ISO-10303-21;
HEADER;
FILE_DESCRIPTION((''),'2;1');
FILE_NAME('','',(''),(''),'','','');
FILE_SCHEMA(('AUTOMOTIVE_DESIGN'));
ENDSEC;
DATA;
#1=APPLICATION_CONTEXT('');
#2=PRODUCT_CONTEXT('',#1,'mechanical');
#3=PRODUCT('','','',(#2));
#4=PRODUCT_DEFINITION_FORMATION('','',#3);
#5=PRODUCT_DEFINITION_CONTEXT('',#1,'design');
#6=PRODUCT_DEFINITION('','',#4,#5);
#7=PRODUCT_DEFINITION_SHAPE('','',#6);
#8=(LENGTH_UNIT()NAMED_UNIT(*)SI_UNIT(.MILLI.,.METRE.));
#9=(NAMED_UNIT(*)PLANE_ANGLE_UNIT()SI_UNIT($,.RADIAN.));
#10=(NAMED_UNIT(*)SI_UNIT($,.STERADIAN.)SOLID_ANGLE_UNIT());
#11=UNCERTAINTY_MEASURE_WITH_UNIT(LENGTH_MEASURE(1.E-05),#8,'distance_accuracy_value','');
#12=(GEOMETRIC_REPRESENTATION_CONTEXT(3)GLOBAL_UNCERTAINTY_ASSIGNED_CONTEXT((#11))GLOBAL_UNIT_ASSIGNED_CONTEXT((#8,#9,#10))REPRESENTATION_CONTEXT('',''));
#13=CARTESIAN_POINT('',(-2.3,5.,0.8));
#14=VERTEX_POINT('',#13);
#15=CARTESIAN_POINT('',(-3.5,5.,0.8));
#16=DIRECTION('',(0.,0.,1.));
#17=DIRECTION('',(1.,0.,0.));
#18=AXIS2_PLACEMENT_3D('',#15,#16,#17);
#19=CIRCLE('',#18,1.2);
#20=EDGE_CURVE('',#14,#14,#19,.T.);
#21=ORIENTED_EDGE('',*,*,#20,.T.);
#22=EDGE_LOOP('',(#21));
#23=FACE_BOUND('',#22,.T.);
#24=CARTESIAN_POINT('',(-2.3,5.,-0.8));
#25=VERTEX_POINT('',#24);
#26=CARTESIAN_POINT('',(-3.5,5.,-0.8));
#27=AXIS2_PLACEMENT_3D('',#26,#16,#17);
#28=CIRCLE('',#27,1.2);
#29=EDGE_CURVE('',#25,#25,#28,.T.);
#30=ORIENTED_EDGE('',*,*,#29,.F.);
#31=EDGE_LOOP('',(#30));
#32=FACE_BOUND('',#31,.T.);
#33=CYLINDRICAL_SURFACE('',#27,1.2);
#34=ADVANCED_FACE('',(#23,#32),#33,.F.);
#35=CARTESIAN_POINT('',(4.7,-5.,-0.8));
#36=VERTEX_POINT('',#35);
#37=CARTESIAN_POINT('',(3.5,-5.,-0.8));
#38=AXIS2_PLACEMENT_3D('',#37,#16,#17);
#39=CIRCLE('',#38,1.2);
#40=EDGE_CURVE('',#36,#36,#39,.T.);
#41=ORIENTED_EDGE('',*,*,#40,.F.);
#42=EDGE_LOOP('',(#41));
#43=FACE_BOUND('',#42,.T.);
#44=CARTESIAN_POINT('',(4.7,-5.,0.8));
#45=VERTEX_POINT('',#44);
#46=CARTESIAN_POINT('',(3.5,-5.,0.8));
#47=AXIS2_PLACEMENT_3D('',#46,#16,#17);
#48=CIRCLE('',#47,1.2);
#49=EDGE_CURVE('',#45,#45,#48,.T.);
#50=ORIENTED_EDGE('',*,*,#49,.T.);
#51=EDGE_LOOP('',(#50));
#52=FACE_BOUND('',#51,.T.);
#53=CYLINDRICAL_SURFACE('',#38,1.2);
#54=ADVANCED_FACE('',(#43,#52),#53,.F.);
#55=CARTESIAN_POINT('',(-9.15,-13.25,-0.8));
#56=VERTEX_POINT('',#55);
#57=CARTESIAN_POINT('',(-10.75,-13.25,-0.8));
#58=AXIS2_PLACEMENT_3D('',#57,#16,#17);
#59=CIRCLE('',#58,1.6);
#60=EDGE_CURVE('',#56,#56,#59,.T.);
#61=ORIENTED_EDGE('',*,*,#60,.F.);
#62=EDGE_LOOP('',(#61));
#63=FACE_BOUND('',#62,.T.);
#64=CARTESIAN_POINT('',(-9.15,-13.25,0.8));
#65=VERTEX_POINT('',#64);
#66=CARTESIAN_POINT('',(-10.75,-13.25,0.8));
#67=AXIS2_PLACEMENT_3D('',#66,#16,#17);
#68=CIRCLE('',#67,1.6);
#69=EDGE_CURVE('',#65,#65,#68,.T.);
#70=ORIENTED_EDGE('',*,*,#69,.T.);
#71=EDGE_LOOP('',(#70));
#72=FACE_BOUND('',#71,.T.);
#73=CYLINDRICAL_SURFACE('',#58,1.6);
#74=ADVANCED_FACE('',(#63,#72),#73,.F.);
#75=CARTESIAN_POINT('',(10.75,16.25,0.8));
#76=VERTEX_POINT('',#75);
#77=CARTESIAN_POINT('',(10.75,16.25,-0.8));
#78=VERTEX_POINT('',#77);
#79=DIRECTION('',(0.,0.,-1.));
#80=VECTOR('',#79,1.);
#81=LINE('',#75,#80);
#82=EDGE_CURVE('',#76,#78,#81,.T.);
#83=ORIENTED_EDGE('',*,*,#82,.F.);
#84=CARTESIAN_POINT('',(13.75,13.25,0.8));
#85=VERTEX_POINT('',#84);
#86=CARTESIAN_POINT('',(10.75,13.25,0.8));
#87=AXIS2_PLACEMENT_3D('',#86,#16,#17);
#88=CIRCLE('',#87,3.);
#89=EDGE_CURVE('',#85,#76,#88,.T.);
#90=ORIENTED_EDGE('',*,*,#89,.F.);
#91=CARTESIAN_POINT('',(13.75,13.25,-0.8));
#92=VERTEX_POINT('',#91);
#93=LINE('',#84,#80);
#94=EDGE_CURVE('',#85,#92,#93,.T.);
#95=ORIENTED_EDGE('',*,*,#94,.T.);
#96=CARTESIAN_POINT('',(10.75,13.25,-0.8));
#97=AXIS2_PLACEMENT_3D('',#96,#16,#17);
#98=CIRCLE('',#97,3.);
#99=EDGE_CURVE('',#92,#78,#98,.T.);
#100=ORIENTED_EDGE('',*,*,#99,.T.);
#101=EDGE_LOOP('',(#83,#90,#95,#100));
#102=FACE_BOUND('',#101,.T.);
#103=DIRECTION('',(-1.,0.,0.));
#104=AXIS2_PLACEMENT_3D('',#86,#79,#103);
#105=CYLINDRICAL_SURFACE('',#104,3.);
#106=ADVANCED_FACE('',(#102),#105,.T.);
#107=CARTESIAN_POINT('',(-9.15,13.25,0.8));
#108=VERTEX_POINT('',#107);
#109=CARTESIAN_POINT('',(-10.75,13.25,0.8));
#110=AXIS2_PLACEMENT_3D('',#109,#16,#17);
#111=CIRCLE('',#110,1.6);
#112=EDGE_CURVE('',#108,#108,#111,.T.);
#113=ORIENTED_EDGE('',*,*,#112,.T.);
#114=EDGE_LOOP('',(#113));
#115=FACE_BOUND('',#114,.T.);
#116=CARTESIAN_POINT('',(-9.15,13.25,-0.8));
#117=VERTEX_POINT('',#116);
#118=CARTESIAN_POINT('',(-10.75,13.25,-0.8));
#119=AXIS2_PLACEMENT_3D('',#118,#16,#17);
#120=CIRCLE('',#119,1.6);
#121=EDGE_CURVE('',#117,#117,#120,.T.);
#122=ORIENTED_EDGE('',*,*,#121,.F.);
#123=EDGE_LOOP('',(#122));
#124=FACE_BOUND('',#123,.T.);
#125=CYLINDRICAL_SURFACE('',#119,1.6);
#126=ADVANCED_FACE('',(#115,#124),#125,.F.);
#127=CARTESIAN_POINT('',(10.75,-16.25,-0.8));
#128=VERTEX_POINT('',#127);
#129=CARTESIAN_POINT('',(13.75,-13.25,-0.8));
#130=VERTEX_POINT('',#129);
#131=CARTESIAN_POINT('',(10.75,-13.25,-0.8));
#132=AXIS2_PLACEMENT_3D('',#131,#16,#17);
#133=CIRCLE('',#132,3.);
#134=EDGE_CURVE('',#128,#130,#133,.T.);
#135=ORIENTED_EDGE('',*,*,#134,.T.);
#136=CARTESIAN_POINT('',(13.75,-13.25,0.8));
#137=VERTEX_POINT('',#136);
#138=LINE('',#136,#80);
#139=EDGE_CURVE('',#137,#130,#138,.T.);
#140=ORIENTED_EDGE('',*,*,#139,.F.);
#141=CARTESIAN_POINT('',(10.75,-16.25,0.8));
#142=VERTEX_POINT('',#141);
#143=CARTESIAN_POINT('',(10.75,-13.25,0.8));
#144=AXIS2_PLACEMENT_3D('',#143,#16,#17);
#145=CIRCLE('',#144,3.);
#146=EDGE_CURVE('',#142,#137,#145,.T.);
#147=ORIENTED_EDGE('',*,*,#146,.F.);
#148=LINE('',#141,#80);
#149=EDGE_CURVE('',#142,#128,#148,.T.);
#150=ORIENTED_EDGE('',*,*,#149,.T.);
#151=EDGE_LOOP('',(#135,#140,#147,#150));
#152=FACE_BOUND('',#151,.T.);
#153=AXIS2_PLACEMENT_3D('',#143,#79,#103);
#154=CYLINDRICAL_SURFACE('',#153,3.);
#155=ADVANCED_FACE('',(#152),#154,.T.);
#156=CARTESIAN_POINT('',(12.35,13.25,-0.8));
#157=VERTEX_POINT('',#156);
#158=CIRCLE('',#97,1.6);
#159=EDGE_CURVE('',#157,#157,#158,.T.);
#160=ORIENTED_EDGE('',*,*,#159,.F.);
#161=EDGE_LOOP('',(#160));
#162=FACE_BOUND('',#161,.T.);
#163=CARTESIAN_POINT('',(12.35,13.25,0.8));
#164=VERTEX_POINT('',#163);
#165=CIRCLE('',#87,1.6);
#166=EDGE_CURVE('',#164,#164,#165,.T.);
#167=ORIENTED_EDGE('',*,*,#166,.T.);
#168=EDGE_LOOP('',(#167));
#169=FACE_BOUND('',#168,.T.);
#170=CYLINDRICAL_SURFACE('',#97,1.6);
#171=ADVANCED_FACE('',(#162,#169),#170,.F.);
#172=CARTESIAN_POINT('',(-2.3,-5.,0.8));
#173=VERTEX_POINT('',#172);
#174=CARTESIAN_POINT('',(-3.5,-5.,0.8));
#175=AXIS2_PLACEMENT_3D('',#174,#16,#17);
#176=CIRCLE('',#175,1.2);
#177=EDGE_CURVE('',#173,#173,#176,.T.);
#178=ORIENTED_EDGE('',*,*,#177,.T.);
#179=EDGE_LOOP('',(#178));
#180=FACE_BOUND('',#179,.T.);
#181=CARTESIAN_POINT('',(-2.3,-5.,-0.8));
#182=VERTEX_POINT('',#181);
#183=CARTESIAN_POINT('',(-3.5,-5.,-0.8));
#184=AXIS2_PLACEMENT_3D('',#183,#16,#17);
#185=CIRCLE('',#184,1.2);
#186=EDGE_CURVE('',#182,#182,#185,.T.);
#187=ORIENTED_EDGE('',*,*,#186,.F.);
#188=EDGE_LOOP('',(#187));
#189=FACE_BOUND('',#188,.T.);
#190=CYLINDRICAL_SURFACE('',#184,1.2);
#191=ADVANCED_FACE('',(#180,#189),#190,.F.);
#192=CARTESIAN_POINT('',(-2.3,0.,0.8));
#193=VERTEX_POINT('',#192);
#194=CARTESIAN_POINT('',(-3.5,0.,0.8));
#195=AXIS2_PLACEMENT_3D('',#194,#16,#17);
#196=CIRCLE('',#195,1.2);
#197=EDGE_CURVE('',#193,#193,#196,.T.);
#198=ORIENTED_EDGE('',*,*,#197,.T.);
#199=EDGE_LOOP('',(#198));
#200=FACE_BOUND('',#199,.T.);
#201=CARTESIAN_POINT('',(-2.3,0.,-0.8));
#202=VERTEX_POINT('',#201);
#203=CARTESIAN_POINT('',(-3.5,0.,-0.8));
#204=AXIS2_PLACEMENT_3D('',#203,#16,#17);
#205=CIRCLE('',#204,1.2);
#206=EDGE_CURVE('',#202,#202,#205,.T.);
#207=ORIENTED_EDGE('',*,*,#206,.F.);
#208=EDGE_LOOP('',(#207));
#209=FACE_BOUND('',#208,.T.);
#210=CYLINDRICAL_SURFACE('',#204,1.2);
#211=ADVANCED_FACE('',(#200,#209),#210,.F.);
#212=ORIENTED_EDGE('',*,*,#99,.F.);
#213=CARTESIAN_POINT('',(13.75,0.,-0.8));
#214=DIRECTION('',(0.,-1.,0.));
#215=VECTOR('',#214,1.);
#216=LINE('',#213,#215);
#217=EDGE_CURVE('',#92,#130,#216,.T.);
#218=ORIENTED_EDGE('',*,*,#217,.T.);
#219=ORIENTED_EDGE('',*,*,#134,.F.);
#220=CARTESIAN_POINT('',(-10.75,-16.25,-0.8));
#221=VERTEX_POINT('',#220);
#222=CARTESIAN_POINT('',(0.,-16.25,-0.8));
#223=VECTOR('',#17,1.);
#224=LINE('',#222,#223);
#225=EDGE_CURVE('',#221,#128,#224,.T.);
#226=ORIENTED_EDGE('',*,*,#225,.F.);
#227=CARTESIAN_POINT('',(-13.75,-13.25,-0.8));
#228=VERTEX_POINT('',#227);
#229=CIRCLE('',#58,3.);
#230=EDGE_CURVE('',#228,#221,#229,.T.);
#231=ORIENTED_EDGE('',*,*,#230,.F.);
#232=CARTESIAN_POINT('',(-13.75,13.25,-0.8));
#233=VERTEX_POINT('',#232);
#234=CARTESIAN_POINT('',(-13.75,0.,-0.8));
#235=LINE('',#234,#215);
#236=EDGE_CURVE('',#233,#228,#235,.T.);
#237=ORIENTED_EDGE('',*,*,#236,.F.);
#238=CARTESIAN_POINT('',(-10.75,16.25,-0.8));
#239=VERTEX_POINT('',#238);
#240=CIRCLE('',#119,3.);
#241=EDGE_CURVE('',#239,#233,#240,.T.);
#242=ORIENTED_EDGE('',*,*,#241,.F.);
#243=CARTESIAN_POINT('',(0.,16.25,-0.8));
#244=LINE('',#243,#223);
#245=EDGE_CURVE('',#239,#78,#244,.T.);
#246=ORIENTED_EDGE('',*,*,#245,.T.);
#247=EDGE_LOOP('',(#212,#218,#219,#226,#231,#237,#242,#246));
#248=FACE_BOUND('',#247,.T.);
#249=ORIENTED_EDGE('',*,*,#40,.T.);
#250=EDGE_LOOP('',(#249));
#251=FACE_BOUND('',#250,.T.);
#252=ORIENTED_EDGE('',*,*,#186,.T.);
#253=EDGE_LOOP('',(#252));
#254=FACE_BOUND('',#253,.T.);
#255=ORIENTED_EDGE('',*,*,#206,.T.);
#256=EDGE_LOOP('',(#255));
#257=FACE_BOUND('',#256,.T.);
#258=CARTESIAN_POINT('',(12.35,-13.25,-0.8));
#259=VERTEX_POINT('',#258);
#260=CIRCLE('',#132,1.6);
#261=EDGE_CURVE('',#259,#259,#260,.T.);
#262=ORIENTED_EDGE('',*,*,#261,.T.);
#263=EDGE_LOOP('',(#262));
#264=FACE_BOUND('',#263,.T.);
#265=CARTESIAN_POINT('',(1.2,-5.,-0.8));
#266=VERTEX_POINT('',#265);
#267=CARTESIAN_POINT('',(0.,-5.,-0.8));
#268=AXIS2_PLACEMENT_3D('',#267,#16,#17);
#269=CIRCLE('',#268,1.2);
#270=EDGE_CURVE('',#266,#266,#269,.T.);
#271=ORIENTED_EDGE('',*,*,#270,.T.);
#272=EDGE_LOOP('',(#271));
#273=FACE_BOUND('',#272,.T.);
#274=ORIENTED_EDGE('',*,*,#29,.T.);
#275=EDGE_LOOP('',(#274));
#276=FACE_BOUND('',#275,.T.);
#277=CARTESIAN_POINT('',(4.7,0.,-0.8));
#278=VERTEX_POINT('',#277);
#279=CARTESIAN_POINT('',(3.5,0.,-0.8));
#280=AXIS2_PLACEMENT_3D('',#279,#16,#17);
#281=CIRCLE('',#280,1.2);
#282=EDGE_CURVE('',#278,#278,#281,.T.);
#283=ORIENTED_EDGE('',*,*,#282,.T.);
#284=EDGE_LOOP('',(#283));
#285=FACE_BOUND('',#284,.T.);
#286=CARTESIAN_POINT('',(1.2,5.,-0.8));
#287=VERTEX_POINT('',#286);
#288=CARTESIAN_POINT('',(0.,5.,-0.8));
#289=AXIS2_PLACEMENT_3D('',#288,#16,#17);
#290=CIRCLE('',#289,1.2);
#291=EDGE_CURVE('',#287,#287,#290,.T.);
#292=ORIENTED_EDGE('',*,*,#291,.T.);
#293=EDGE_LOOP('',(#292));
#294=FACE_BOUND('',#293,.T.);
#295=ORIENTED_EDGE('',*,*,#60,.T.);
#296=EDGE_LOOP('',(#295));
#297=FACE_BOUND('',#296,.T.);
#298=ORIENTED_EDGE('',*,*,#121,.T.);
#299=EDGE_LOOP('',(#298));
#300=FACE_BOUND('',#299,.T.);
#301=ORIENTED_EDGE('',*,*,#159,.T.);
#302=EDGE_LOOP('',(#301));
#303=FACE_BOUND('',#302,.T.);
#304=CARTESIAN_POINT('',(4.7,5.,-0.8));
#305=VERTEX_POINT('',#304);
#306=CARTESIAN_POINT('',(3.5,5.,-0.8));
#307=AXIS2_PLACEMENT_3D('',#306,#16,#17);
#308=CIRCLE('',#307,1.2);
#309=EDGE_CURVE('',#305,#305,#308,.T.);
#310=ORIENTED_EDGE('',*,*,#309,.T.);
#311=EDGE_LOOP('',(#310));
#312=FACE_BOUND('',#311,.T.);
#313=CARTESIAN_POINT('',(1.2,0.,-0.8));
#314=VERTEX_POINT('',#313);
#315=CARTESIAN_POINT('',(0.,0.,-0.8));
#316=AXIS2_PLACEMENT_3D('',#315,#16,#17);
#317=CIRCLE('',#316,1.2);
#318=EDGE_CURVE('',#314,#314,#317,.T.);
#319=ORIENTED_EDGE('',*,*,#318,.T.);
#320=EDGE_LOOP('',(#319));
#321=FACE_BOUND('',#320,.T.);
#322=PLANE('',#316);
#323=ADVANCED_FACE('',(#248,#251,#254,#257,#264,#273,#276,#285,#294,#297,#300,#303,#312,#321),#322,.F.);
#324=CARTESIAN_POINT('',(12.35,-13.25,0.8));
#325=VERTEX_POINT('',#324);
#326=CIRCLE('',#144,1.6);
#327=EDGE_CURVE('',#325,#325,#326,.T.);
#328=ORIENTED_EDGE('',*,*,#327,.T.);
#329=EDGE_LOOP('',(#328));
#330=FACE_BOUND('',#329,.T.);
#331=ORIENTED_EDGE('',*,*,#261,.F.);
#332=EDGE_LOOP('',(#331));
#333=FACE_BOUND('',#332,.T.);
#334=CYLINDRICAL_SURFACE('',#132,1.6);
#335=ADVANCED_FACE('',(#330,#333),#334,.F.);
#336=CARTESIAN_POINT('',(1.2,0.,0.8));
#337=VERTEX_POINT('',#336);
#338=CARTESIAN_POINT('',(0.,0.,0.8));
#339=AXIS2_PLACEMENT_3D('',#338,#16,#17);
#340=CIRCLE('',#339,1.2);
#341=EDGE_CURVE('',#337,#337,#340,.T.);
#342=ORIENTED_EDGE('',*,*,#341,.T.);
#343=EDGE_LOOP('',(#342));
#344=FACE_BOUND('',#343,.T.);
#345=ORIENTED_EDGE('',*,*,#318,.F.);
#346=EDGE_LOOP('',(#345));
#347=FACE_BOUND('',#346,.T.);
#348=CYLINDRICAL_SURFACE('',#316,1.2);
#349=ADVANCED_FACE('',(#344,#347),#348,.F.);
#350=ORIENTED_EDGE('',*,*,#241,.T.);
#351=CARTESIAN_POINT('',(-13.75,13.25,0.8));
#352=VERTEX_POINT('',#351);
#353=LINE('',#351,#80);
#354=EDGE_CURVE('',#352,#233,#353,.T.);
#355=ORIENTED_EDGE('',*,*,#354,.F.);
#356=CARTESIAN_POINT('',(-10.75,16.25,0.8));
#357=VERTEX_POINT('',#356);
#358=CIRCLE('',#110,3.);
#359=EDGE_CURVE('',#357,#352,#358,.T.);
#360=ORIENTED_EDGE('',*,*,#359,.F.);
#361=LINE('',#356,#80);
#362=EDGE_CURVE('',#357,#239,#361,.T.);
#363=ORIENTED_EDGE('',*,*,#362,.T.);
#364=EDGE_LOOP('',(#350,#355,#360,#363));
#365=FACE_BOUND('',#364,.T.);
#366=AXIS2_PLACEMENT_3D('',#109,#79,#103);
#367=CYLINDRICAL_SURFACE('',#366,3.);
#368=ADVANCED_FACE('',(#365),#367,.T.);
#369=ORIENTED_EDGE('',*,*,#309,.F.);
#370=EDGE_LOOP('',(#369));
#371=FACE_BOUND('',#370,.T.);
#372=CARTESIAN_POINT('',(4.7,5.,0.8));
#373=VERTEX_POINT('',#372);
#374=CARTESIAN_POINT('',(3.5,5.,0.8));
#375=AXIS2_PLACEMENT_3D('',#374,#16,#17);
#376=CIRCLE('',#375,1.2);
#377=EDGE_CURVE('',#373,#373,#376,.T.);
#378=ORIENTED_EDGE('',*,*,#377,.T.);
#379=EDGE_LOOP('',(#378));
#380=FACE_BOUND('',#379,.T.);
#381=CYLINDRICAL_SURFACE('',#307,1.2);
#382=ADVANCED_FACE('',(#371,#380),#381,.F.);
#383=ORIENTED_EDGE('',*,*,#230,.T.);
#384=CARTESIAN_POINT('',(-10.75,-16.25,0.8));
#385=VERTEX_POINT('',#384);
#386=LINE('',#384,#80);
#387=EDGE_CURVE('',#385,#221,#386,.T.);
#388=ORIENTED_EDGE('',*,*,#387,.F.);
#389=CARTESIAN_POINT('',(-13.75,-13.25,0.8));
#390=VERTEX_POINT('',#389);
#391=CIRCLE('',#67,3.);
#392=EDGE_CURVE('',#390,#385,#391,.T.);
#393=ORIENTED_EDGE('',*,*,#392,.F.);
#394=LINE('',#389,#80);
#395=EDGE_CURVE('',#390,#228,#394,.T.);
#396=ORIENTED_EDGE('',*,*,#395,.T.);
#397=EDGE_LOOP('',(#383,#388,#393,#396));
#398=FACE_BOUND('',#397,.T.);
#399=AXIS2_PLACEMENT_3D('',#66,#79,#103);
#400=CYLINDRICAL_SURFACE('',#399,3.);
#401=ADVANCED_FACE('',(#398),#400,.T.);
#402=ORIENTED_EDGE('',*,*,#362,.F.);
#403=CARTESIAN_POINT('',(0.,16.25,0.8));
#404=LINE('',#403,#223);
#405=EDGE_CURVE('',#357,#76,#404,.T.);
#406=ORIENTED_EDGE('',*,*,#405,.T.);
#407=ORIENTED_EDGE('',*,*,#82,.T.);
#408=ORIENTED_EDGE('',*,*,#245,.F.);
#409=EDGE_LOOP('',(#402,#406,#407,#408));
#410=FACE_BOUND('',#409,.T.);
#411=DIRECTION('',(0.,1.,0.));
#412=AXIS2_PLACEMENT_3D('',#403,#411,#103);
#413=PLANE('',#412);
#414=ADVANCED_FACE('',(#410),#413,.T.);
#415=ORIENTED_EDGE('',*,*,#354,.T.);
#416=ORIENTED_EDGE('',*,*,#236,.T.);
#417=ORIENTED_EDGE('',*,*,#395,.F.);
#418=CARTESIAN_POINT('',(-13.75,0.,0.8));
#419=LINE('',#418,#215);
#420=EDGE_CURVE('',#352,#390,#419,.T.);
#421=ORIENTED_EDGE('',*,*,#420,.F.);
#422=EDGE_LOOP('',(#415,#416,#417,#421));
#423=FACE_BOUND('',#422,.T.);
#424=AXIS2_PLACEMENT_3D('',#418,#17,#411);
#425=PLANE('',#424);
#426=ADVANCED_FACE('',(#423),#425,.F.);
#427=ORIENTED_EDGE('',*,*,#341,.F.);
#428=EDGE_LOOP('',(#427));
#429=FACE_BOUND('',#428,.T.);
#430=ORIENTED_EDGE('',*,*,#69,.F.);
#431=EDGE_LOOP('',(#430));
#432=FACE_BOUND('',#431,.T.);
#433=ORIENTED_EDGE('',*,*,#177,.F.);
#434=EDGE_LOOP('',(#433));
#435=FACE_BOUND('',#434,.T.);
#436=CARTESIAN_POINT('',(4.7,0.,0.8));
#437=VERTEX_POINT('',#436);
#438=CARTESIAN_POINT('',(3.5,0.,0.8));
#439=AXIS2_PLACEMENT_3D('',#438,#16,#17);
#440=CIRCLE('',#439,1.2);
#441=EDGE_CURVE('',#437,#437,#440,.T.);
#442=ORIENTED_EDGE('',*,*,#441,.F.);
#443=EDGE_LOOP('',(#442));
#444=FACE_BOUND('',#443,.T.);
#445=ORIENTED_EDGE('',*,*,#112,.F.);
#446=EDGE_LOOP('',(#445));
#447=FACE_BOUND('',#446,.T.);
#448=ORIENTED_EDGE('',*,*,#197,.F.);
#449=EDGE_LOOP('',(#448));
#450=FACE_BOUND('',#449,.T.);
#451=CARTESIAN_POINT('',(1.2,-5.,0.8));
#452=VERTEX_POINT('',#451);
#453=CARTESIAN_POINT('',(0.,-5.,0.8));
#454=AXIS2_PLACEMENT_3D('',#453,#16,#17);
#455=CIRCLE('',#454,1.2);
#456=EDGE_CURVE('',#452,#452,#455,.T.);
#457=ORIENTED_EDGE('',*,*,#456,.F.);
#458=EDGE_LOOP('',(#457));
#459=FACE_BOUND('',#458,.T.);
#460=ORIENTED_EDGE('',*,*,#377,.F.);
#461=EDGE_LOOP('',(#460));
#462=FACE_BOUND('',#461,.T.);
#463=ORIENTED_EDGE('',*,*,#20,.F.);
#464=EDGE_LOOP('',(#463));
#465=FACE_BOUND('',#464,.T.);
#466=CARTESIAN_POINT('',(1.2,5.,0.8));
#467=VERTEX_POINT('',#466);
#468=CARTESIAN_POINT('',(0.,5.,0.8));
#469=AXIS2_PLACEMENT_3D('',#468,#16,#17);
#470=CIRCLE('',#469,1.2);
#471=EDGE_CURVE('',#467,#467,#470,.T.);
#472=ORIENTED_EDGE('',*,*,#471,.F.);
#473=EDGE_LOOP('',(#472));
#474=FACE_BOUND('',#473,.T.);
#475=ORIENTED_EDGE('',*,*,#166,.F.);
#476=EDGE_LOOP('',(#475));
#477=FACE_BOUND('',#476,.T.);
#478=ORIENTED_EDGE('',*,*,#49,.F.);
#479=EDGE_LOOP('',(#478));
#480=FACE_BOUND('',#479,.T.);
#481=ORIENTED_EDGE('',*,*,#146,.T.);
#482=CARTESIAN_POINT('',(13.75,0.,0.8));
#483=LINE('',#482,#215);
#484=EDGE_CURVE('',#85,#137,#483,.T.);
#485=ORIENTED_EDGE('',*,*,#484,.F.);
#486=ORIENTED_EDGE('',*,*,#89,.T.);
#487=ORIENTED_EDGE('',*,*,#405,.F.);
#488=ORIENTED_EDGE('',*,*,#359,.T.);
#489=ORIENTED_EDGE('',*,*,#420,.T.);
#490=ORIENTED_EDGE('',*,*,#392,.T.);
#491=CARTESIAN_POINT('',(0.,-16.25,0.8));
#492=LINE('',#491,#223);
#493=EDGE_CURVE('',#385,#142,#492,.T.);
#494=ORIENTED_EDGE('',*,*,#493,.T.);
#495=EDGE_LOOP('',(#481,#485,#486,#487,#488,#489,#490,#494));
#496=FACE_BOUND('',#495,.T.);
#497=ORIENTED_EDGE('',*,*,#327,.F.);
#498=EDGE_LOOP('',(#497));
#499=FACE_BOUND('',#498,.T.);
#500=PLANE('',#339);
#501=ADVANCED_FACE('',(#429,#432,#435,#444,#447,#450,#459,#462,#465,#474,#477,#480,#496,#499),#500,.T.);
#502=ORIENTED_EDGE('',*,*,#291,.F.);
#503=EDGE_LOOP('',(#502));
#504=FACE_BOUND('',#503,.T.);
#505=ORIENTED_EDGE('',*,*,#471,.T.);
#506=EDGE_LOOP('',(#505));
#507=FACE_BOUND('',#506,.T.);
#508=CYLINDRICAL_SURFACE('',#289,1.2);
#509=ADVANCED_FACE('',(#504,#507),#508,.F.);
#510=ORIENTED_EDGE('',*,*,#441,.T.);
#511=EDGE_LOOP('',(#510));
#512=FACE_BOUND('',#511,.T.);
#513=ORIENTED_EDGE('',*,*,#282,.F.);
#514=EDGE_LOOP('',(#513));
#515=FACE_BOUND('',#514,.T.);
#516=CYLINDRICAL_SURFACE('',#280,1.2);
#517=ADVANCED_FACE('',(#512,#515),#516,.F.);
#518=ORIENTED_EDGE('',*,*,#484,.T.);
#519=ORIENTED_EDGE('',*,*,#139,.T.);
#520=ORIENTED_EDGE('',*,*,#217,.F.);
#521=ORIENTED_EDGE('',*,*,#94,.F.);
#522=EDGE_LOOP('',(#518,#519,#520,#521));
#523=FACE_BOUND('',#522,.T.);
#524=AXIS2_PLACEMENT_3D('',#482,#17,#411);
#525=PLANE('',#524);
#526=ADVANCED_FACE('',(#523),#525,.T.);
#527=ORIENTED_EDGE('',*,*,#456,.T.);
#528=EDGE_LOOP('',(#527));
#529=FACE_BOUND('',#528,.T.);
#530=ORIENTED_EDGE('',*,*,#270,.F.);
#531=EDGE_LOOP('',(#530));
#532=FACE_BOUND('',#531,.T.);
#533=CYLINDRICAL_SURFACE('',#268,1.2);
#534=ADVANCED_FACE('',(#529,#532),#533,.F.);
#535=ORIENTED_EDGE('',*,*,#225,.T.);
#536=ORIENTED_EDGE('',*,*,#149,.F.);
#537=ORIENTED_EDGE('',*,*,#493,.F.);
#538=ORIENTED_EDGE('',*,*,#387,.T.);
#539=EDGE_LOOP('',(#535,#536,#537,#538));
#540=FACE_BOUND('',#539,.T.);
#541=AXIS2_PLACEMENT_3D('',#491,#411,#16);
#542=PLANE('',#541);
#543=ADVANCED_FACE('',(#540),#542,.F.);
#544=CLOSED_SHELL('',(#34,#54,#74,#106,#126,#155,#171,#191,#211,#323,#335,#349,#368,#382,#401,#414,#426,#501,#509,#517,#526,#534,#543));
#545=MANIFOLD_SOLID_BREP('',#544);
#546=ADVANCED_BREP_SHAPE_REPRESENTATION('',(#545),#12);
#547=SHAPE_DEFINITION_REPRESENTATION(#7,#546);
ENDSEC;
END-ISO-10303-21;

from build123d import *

# Parameters (mm, degrees)
BOSS_EXTRUDE1_DEPTH = 0.8
SKETCH4_R           = 1.6
CUT_EXTRUDE3_DEPTH  = 22.346779617
SKETCH5_R           = 1.2
CUT_EXTRUDE4_DEPTH  = 22.346779617


with BuildPart() as part:
    # Sketch1 → Boss-Extrude1 (new, symmetric)
    with BuildSketch(Plane.XY):
        with BuildLine():
            Line((-13.75, 13.25), (-13.75, -13.25))
            ThreePointArc((-13.75, -13.25), (-12.871320344, -15.371320344), (-10.75, -16.25))
            Line((-10.75, -16.25), (10.75, -16.25))
            ThreePointArc((10.75, -16.25), (12.871320344, -15.371320344), (13.75, -13.25))
            Line((13.75, -13.25), (13.75, 13.25))
            ThreePointArc((13.75, 13.25), (12.871320344, 15.371320344), (10.75, 16.25))
            Line((10.75, 16.25), (-10.75, 16.25))
            ThreePointArc((-10.75, 16.25), (-12.871320344, 15.371320344), (-13.75, 13.25))
        make_face()
    extrude(amount=BOSS_EXTRUDE1_DEPTH, both=True)

    # Sketch4 → Cut-Extrude3 (cut, through all)
    with BuildSketch(Plane.XY.offset(0.8)):
        with Locations((10.75, 13.25)):
            Circle(SKETCH4_R)
        with Locations((10.75, -13.25)):
            Circle(SKETCH4_R)
        with Locations((-10.75, -13.25)):
            Circle(SKETCH4_R)
        with Locations((-10.75, 13.25)):
            Circle(SKETCH4_R)
    extrude(amount=-CUT_EXTRUDE3_DEPTH, mode=Mode.SUBTRACT)

    # Sketch5 → Cut-Extrude4 (cut, through all)
    with BuildSketch(Plane.XY.offset(0.8)):
        with Locations((3.5, -5)):
            Circle(SKETCH5_R)
        with Locations((0, -5)):
            Circle(SKETCH5_R)
        with Locations((-3.5, -5)):
            Circle(SKETCH5_R)
        with Locations((3.5, 5)):
            Circle(SKETCH5_R)
        with Locations((0, 5)):
            Circle(SKETCH5_R)
        with Locations((-3.5, 5)):
            Circle(SKETCH5_R)
        with Locations((-3.5, 0)):
            Circle(SKETCH5_R)
        Circle(SKETCH5_R)
        with Locations((3.5, 0)):
            Circle(SKETCH5_R)
    extrude(amount=-CUT_EXTRUDE4_DEPTH, mode=Mode.SUBTRACT)


solid = part.part
